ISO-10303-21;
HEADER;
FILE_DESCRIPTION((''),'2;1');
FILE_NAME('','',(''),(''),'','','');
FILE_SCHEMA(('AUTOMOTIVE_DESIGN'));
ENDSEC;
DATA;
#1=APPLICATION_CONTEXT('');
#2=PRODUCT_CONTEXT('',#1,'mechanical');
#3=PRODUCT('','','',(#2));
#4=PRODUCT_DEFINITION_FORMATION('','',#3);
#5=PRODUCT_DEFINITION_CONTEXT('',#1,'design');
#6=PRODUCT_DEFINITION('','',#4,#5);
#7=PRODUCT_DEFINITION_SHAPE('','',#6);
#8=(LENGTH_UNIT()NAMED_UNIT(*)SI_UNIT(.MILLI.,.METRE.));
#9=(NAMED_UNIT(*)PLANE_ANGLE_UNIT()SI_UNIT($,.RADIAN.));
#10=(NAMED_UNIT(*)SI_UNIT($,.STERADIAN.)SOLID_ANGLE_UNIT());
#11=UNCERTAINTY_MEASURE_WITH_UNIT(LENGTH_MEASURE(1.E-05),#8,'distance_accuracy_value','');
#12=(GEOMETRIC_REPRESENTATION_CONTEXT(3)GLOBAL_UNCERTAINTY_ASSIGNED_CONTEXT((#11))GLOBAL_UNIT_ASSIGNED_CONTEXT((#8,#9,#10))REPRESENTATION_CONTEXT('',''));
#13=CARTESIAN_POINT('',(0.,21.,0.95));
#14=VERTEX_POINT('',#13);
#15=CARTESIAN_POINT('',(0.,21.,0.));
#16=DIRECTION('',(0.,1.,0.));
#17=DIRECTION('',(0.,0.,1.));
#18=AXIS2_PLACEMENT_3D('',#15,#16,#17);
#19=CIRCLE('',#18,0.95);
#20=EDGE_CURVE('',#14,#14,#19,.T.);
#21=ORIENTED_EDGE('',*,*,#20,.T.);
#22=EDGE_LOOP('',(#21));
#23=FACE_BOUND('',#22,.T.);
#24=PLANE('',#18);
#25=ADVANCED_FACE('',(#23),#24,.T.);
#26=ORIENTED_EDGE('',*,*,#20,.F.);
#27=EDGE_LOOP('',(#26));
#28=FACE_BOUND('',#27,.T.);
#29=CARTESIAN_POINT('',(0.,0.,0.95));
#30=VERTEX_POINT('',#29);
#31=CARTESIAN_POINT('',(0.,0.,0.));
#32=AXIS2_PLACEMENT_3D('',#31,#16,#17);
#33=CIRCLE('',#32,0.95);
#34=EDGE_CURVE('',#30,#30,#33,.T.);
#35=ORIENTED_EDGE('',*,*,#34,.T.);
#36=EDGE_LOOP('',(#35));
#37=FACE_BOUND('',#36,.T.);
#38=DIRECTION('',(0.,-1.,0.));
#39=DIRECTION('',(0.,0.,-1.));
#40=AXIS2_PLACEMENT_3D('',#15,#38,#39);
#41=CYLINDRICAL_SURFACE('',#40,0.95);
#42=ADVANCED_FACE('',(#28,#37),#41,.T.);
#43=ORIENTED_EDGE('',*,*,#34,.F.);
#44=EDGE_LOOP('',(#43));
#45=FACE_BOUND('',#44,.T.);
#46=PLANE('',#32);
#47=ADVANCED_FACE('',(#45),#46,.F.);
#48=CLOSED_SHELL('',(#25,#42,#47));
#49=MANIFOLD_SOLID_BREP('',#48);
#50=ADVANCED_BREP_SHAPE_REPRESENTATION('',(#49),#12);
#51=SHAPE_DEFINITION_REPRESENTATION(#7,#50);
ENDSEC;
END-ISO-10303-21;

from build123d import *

# Parameters (mm, degrees)
SKETCH1_R           = 0.95
BOSS_EXTRUDE1_DEPTH = 21


with BuildPart() as part:
    # Sketch1 → Boss-Extrude1 (new body)
    with BuildSketch(Plane(origin=(0, 0, 0), x_dir=(1, 0, 0), z_dir=(0, 1, 0))):
        Circle(SKETCH1_R)
    extrude(amount=BOSS_EXTRUDE1_DEPTH)


solid = part.part
